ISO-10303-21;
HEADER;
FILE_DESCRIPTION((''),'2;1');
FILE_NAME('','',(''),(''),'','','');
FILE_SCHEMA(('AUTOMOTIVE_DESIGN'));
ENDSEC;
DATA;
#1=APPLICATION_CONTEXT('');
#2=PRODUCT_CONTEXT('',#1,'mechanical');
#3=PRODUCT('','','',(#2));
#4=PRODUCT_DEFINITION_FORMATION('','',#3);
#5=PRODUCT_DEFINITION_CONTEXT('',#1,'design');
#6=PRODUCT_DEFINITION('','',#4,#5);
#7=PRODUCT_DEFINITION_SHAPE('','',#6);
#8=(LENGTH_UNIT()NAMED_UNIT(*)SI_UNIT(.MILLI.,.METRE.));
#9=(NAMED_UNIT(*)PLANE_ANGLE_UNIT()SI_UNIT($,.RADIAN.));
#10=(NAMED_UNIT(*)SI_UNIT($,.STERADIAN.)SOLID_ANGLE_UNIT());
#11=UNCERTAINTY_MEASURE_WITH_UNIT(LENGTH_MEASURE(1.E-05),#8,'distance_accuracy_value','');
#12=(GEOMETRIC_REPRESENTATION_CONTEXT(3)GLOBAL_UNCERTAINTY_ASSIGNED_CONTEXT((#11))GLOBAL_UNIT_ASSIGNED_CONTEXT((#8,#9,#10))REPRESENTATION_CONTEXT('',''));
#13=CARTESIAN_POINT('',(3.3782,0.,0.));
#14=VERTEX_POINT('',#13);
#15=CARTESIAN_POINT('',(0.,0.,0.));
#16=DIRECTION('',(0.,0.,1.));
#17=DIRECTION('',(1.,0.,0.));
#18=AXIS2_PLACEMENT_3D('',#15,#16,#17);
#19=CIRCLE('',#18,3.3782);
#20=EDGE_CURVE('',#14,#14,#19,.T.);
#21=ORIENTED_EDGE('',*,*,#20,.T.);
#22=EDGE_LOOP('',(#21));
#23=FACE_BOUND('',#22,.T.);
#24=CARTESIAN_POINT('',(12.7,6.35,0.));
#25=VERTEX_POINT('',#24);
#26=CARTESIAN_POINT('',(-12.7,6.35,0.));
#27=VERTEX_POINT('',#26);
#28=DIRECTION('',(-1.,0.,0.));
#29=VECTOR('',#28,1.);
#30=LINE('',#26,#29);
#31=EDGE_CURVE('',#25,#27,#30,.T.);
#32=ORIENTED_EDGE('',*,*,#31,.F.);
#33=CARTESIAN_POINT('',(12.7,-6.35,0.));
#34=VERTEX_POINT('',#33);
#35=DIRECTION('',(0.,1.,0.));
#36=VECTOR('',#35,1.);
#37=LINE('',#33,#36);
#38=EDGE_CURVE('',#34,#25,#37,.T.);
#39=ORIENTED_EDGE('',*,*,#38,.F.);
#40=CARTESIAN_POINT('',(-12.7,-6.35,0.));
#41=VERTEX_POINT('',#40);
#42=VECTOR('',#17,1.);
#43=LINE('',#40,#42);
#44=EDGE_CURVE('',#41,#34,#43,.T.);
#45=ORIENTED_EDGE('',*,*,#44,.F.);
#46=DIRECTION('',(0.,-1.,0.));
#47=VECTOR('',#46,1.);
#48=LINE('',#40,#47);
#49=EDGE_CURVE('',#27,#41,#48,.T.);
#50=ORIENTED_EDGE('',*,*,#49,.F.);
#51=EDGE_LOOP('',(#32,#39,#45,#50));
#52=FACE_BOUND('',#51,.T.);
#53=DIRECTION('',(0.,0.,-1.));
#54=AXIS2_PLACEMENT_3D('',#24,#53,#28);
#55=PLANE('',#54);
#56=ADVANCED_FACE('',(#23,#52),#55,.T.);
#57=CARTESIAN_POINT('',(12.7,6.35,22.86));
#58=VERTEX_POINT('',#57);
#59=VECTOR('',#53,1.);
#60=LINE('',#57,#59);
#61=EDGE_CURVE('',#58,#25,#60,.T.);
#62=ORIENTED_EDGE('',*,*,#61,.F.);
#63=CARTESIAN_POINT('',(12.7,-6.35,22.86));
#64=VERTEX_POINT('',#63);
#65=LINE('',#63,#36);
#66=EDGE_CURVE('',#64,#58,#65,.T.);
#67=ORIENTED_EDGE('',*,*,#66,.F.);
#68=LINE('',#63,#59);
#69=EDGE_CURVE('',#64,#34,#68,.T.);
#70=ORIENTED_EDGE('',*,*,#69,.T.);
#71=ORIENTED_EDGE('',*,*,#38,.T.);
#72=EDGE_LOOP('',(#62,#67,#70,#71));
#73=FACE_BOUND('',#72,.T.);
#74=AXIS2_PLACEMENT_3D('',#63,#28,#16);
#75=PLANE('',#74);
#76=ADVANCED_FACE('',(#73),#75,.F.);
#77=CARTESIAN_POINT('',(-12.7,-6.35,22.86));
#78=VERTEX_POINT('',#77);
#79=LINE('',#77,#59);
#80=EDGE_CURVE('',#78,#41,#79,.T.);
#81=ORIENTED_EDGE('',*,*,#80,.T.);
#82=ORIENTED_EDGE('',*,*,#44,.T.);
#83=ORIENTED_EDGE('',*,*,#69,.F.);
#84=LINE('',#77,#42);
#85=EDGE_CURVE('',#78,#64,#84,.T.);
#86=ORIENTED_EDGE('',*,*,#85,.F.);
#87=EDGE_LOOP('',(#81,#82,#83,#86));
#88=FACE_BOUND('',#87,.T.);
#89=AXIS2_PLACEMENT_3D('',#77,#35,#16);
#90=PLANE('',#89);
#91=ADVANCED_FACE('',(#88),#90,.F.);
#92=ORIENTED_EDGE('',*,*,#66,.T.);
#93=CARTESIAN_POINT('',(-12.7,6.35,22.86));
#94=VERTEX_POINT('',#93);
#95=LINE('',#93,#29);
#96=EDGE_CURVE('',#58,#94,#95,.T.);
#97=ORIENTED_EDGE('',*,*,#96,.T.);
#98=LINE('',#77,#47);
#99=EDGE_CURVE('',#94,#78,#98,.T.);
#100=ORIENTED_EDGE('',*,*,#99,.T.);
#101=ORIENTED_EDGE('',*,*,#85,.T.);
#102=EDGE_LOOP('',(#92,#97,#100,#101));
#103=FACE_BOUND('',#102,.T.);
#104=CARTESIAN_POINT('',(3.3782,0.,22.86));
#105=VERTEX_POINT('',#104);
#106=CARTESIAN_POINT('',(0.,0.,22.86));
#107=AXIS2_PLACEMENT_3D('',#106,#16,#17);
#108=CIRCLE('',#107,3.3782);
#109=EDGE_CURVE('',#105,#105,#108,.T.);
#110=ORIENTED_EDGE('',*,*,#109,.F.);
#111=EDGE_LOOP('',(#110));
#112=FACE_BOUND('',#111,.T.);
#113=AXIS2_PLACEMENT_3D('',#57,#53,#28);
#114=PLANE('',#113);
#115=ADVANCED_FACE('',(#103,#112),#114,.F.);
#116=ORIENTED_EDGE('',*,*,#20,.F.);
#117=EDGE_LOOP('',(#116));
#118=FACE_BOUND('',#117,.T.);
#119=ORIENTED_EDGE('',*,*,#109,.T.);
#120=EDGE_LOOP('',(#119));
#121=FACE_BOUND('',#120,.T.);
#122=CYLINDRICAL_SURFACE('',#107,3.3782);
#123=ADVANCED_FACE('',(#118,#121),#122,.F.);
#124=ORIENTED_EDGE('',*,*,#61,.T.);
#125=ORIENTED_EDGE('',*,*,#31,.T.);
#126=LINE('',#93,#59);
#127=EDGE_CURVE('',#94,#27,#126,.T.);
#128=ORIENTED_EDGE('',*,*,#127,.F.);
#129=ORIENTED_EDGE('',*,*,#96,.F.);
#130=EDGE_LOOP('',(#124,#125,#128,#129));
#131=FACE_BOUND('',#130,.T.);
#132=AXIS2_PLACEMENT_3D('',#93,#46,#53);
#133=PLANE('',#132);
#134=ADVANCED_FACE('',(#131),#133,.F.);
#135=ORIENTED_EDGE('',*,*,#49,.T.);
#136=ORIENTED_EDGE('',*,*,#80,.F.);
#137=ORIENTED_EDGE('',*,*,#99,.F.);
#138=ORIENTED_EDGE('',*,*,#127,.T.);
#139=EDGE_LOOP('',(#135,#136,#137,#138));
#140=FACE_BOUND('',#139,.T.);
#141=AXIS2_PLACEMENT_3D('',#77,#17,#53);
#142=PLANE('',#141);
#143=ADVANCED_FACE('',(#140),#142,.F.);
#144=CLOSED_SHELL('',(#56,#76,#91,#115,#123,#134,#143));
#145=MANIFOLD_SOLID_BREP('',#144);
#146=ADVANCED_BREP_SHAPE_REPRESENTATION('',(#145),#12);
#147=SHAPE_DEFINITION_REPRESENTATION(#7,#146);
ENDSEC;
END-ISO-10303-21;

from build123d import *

# Parameters (mm, degrees)
SKETCH1_W                         = 25.4
SKETCH1_H                         = 12.7
EXTRUDE1_DEPTH                    = 22.86
F_1_4_CLEARANCE_HOLE1_D           = 6.7564
F_1_4_CLEARANCE_HOLE1_ON_FACE_2_D = 6.7564


with BuildPart() as part:
    # Sketch1 → Extrude1 (new body)
    with BuildSketch(Plane.XY):
        Rectangle(SKETCH1_W, SKETCH1_H)
    extrude(amount=EXTRUDE1_DEPTH)

    # 1/4 Clearance Hole1 (through all)
    with Locations(Plane(origin=(0, 0, 0), x_dir=(-1, 0, 0), z_dir=(0, 0, -1))):
        with Locations((0, 0)):
            Hole(F_1_4_CLEARANCE_HOLE1_D / 2)

    # 1/4 Clearance Hole1 on face 2 (through all)
    with Locations(Plane.XY.offset(22.86)):
        with Locations((0, 0)):
            Hole(F_1_4_CLEARANCE_HOLE1_ON_FACE_2_D / 2)


solid = part.part
